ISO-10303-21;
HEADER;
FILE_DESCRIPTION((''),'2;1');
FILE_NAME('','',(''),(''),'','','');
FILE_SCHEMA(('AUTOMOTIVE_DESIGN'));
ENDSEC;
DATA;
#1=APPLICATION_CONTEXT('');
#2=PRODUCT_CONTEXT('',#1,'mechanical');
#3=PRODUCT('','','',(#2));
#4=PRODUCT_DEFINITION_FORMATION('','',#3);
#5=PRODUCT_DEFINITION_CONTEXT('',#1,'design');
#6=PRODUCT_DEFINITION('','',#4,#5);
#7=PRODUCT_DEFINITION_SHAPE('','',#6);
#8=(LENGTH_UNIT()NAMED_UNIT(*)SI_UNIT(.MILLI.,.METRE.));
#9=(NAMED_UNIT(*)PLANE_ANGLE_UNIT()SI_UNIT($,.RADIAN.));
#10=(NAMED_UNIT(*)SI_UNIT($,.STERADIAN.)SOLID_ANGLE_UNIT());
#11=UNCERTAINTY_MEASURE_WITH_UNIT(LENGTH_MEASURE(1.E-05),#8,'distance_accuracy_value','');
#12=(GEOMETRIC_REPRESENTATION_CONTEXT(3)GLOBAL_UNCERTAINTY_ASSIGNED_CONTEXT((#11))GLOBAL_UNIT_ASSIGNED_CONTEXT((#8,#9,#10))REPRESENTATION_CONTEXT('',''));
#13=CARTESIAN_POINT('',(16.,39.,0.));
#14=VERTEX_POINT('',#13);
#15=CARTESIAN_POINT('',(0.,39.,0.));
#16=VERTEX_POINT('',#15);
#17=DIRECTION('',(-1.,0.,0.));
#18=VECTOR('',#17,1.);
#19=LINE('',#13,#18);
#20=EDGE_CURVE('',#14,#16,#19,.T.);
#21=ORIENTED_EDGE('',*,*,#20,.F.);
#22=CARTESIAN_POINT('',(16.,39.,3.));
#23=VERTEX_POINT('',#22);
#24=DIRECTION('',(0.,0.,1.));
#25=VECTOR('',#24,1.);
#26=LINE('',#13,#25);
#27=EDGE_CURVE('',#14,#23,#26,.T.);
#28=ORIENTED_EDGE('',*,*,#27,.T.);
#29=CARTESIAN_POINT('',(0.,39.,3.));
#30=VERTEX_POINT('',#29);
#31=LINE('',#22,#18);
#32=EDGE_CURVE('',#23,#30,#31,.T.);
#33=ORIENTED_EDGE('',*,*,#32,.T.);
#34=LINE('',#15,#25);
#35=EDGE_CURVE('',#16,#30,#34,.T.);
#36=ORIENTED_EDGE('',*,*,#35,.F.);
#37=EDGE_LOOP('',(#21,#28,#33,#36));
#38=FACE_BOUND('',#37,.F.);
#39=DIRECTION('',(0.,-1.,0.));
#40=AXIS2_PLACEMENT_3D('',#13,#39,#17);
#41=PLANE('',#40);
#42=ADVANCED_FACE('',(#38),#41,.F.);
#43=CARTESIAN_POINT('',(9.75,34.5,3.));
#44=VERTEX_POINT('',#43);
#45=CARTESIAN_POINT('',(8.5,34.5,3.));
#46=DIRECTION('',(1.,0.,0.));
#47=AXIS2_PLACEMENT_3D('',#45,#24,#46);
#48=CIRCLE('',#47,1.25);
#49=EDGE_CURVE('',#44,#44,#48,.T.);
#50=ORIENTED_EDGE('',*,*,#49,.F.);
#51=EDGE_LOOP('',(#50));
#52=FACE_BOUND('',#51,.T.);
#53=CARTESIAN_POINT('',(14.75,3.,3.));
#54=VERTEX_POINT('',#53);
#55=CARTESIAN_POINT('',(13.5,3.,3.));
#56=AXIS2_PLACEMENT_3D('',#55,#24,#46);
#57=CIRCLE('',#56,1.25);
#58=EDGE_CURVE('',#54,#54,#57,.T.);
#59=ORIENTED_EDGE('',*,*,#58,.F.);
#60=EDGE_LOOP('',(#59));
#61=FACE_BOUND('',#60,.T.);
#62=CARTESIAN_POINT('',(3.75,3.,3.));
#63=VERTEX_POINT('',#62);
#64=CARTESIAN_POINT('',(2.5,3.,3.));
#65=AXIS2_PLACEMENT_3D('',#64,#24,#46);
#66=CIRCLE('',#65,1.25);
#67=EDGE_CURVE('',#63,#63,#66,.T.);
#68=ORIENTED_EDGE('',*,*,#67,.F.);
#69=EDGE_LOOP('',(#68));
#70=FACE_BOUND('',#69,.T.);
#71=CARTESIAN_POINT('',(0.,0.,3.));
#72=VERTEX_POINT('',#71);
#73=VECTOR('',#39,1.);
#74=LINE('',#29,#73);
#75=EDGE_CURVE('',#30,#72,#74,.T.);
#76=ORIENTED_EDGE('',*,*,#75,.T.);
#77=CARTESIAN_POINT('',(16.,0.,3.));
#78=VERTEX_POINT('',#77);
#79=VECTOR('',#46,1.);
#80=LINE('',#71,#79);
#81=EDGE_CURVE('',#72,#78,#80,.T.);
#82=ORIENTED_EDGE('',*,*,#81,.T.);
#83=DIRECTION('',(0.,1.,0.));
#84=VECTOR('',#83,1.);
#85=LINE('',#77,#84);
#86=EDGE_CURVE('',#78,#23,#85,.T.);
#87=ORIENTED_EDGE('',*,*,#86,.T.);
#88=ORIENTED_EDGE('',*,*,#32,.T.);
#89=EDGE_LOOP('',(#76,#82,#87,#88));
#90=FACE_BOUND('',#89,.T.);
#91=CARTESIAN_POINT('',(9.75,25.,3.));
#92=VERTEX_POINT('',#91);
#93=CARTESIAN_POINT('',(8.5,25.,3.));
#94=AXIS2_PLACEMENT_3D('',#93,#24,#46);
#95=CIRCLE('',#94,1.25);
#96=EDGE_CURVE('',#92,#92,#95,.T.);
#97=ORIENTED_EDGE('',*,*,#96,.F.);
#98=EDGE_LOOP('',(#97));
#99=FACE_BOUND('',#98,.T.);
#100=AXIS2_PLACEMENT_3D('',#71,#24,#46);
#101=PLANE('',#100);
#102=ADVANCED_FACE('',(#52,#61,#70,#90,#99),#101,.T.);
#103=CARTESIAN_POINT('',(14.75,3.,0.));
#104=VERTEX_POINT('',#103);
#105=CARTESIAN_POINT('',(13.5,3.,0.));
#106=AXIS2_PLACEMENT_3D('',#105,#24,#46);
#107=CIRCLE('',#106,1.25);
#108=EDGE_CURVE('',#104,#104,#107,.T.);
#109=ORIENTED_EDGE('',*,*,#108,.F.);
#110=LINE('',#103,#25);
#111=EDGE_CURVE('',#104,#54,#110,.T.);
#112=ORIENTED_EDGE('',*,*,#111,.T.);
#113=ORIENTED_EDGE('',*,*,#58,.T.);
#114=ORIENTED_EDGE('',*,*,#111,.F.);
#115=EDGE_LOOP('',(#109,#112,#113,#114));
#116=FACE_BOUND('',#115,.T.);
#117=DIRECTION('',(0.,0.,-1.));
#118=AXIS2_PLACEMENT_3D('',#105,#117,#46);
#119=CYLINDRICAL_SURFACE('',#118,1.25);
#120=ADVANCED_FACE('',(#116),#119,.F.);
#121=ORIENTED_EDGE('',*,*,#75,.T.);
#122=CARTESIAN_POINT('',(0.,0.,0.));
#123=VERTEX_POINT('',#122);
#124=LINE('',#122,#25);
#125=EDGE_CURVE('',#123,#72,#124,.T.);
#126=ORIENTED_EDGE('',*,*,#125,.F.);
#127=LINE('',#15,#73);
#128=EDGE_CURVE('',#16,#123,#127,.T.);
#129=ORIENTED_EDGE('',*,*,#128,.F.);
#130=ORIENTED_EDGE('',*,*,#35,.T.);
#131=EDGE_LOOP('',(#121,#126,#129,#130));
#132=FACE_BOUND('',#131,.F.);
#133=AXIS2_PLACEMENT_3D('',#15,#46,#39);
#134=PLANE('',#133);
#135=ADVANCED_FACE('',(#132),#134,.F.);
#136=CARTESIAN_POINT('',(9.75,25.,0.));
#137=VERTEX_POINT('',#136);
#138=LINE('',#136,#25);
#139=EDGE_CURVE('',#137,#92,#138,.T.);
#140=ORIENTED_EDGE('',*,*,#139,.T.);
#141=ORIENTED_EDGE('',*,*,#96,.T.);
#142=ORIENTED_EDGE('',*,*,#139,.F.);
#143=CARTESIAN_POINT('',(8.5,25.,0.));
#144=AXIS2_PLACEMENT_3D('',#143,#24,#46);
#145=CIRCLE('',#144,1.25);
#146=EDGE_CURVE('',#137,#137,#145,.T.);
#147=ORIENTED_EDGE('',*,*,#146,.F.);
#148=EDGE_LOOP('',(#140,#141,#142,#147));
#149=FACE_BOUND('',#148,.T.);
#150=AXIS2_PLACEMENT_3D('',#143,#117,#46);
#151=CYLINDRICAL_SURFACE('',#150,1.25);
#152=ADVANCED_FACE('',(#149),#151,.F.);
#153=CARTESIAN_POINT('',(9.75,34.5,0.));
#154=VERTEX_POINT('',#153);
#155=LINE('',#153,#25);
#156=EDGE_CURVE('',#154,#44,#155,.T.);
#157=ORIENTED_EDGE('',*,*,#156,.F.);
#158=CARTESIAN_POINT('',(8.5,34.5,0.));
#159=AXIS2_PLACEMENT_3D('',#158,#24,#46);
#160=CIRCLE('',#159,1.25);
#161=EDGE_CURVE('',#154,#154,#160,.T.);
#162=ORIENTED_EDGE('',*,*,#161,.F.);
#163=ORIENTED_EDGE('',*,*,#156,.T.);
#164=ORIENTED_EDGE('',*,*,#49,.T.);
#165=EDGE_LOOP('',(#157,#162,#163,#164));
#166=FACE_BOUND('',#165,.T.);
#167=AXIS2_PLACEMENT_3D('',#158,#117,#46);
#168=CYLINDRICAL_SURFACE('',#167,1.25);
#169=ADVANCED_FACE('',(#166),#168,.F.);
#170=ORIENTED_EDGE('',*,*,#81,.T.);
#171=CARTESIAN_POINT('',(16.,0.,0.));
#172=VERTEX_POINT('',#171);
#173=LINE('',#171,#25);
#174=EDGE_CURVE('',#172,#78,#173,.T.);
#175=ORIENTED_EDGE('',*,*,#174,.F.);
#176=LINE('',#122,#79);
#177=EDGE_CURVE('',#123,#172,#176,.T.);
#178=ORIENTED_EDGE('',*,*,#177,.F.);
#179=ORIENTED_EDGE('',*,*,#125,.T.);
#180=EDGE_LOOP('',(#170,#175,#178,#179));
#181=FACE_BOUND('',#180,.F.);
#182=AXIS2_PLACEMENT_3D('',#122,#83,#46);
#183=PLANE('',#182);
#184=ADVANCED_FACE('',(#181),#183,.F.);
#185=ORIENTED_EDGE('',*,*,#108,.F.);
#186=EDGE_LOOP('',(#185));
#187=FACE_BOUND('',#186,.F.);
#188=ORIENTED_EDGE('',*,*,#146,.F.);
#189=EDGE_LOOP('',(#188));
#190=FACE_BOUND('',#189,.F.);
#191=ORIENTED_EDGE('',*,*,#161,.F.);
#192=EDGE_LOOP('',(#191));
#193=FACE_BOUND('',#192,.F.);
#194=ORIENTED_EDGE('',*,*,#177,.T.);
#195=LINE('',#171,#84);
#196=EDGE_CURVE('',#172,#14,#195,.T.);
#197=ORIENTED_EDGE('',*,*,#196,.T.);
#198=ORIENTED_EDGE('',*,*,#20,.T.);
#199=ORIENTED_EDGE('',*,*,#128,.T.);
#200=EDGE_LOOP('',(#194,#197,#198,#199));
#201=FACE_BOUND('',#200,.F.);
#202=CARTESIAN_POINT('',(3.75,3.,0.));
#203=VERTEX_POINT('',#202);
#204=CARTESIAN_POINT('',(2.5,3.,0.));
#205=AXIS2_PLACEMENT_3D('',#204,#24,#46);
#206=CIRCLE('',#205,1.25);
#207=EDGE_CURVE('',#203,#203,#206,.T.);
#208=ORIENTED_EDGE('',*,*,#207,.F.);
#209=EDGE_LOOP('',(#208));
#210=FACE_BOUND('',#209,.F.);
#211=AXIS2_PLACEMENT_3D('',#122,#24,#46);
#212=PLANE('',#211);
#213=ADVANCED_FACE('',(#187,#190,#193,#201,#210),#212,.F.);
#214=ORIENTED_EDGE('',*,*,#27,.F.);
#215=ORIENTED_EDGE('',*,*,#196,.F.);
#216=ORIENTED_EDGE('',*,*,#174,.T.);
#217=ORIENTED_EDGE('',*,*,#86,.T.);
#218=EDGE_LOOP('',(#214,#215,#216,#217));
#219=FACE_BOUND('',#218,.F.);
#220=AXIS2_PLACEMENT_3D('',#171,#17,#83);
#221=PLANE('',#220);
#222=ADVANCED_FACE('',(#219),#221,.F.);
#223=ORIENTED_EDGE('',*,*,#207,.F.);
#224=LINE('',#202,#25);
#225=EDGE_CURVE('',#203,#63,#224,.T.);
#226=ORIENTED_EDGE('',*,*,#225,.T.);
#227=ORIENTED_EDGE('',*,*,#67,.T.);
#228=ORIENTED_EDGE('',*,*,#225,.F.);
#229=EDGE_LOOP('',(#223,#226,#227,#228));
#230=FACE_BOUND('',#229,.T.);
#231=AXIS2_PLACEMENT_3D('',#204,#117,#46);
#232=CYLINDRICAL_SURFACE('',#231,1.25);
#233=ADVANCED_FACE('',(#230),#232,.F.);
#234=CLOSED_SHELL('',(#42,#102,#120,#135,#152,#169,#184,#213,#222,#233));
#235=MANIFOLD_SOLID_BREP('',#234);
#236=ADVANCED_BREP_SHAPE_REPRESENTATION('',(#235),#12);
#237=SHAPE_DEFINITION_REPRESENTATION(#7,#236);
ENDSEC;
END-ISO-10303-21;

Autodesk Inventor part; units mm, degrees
ref_plane "YZ Plane" through (0, 0, 0) normal (1, 0, 0) x (0, 1, 0)
ref_plane "XZ Plane" through (0, 0, 0) normal (0, 1, 0) x (-1, 0, 0)
ref_plane "XY Plane" through (0, 0, 0) normal (0, 0, 1) x (1, 0, 0)
sketch "Sketch1" plane through (0, 0, 0) normal (0, 0, 1) x (1, 0, 0)
  line L0 (0, 0) -> (16, 0)
  line L1 (16, 0) -> (16, 39)
  line L2 (16, 39) -> (0, 39)
  line L3 (0, 39) -> (0, 0)
  line L4 (8, 32.7385) -> (8, -1.6019) construction
  line L5 (8, 0) -> (8, 3) construction
  line L6 (8, 3) -> (-6.2893, 3) construction
  line L7 (-6.2893, 3) -> (30.6517, 3) construction
  line L8 (8, 3) -> (13.5, 3) construction
  line L9 (13.5, 3) -> (13.5, 7.8913) construction
  line L10 (13.5, 7.8913) -> (2.5, 7.8913) construction
  line L11 (2.5, 7.8913) -> (2.5, 1.5) construction
  circle A0 centre (2.5, 3) radius 1.25
  circle A1 centre (13.5, 3) radius 1.25
  line L12 (8, 0) -> (8, 25) construction
  line L13 (8, 25) -> (38.3893, 25) construction
  line L14 (38.3893, 25) -> (38.3893, 34.5) construction
  line L15 (38.3893, 34.5) -> (16, 34.5) construction
  line L16 (16, 34.5) -> (8.5, 34.5) construction
  line L17 (8.5, 34.5) -> (8.5, 22.056) construction
  circle A2 centre (8.5, 34.5) radius 1.25
  circle A3 centre (8.5, 25) radius 1.25
  dimension "d0" = 16
  dimension "d1" = 39
  dimension "d2" = 3
  dimension "d3" = 5.5
  dimension "d4" = 11
  dimension "d5" = 2.5
  dimension "d6" = 2.5
  dimension "d7" = 25
  dimension "d8" = 9.5
  dimension "d9" = 7.5
  dimension "d10" = 2.5
  dimension "d11" = 2.5
extrude "Extrusion1" add sketch "Sketch1" along normal blind 3
properties part number "bart x endstop bracket plain switch v1"
